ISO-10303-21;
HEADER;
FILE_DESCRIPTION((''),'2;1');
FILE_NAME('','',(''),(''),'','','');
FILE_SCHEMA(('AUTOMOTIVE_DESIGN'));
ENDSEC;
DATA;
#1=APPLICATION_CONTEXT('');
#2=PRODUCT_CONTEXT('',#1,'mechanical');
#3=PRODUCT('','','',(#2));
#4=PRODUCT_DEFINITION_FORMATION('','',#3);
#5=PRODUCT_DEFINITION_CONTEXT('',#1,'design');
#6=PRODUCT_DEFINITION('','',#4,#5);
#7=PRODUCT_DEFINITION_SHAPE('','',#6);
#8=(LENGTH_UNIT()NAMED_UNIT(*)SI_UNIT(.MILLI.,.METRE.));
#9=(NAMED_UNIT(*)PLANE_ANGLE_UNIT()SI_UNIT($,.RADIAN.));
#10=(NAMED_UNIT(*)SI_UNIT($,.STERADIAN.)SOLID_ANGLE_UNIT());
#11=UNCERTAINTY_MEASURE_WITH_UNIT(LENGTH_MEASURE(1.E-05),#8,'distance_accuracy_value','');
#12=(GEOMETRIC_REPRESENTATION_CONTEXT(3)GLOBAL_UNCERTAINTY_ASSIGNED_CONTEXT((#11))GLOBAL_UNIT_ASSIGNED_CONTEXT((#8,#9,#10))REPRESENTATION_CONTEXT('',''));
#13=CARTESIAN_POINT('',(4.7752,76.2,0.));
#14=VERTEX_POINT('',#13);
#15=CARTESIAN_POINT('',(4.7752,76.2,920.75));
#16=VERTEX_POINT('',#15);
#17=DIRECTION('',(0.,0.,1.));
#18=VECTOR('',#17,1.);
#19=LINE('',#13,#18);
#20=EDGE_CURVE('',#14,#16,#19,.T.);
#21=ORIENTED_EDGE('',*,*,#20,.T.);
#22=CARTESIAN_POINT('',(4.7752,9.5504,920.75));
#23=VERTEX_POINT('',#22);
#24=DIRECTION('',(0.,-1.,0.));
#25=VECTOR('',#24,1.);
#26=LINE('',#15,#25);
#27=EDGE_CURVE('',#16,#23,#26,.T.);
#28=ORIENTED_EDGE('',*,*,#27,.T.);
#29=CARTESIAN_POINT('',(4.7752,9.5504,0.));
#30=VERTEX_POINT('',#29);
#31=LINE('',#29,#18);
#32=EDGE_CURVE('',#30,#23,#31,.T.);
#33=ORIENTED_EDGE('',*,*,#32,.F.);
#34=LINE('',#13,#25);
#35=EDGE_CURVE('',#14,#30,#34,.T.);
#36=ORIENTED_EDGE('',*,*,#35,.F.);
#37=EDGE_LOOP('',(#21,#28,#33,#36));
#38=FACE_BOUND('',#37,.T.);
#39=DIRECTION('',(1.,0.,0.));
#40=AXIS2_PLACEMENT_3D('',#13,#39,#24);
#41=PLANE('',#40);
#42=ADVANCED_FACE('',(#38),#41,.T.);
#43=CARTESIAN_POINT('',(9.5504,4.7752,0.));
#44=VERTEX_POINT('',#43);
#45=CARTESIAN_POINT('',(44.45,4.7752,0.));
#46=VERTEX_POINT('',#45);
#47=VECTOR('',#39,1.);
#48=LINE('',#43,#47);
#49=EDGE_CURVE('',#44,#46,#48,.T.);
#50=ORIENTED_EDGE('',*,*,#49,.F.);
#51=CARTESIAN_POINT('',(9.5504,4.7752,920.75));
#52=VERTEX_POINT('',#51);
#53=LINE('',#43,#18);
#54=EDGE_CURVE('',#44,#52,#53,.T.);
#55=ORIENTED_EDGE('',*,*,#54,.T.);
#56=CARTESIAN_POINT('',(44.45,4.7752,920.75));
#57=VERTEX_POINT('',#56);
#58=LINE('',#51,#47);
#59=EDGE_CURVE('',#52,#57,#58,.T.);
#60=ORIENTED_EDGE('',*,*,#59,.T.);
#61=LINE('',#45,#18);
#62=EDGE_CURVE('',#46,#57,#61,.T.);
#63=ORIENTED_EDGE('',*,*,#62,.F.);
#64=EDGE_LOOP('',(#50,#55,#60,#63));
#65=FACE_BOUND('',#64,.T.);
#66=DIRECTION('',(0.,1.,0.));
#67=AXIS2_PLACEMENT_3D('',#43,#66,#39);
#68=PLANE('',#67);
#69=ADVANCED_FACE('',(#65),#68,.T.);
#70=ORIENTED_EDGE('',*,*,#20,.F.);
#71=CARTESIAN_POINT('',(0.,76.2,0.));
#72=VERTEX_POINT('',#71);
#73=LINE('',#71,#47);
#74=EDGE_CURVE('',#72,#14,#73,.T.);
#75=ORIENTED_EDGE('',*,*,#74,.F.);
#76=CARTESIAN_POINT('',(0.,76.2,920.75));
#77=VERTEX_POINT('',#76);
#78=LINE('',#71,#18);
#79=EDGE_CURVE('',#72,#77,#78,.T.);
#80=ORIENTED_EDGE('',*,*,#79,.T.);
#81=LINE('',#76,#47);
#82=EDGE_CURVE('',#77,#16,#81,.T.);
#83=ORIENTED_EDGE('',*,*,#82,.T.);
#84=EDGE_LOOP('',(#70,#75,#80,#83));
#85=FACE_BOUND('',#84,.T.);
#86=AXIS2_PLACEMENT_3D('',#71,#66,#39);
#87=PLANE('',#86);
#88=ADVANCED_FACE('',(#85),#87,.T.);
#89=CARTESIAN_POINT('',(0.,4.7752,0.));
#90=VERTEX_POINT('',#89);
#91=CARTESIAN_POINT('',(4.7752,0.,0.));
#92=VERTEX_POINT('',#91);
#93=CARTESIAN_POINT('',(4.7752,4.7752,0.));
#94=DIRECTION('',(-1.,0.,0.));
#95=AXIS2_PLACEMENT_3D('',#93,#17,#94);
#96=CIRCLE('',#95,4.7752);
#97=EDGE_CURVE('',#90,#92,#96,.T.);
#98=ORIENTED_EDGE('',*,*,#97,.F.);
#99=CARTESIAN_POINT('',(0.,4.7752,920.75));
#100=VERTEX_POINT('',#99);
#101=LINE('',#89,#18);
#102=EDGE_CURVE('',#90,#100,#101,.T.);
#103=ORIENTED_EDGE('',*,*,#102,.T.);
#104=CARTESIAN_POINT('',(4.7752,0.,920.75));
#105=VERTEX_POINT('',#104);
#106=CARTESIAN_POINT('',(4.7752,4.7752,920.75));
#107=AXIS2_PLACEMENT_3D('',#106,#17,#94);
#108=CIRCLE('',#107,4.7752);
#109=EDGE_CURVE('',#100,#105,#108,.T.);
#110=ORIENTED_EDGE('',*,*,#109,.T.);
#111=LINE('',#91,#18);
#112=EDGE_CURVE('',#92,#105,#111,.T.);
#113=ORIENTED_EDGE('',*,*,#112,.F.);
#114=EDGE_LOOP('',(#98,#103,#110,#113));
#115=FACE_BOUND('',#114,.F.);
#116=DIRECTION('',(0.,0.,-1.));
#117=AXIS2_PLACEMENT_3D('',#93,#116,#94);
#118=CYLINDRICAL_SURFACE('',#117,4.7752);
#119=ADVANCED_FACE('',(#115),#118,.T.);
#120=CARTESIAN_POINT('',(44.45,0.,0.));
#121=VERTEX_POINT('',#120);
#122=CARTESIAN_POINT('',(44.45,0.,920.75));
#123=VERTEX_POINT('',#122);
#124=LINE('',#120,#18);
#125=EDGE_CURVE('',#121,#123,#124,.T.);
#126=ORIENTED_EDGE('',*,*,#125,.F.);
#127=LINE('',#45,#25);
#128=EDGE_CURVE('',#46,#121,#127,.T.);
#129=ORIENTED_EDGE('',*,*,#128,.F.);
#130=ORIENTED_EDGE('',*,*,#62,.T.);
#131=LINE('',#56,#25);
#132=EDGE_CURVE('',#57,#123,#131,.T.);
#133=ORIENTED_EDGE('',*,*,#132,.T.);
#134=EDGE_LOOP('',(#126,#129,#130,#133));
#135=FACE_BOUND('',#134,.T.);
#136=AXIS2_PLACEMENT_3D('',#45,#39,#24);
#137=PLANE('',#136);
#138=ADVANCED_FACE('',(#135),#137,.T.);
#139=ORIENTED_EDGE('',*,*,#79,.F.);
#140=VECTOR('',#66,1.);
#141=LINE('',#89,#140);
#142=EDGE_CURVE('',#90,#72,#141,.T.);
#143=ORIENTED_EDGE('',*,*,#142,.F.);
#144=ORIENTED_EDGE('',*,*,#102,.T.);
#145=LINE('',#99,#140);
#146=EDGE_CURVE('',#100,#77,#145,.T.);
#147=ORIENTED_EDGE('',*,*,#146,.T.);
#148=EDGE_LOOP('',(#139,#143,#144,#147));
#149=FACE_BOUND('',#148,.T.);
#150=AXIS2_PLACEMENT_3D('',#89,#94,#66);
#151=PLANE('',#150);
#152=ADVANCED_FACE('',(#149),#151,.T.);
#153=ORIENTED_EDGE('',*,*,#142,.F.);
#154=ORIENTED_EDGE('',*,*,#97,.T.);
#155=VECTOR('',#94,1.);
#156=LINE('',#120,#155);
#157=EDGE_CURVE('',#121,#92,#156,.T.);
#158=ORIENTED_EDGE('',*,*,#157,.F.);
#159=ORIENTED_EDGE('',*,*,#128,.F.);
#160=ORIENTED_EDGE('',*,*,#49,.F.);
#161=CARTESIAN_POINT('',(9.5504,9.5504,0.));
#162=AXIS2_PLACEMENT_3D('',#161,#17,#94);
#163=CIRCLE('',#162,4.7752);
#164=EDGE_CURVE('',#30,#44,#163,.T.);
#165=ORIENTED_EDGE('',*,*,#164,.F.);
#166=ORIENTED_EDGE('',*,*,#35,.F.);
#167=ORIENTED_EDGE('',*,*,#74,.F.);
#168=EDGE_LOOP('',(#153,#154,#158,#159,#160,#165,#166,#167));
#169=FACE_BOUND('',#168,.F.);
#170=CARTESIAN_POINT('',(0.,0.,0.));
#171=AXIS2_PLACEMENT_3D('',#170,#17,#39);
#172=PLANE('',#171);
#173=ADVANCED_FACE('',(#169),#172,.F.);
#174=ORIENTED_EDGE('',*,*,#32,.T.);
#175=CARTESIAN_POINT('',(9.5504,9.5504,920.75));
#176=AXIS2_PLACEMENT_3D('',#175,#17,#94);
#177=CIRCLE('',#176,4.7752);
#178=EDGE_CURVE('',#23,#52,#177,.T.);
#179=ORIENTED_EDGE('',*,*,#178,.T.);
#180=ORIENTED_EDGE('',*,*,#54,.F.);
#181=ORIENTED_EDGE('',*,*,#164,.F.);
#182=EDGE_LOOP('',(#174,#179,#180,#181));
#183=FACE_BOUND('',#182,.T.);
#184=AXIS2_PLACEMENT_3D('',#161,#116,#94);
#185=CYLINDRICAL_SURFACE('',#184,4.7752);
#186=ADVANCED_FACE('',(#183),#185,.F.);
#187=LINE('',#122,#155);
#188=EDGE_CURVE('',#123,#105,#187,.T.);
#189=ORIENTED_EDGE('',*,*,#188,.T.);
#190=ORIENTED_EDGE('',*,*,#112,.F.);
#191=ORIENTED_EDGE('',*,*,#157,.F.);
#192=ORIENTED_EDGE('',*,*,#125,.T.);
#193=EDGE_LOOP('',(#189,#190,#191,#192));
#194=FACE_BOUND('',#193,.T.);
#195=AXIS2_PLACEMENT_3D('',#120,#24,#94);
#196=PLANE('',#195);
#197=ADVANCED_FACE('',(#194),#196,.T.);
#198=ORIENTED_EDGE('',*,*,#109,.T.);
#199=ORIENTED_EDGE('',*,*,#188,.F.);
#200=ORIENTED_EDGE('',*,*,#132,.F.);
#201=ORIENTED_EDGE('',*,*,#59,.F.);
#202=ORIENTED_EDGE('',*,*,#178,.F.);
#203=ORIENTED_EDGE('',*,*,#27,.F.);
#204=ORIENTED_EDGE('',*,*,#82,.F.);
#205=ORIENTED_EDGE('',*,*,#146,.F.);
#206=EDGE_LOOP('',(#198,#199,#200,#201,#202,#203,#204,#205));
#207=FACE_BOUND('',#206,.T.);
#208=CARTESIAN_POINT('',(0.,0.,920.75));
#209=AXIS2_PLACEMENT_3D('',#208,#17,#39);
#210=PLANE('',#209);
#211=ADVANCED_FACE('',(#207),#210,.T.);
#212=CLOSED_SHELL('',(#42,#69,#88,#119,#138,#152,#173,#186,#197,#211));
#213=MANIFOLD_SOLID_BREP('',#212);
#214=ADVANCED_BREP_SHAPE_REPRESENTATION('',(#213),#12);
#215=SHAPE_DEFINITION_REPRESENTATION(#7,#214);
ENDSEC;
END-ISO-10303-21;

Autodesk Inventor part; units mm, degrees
ref_plane "YZ Plane" through (0, 0, 0) normal (1, 0, 0) x (0, 1, 0)
ref_plane "XZ Plane" through (0, 0, 0) normal (0, 1, 0) x (-1, 0, 0)
ref_plane "XY Plane" through (0, 0, 0) normal (0, 0, 1) x (1, 0, 0)
sketch "Sketch1" plane through (0, 0, 0) normal (0, 0, 1) x (1, 0, 0)
  line L0 (0, 4.7752) -> (0, 76.2)
  line L1 (0, 76.2) -> (4.7752, 76.2)
  line L2 (4.7752, 76.2) -> (4.7752, 9.5504)
  line L3 (9.5504, 4.7752) -> (44.45, 4.7752)
  line L4 (44.45, 4.7752) -> (44.45, 0)
  line L5 (44.45, 0) -> (4.7752, 0)
  arc A0 (4.7752, 9.5504) -> (9.5504, 4.7752) centre (9.5504, 9.5504) ccw
  arc A1 (0, 4.7752) -> (4.7752, 0) centre (4.7752, 4.7752) ccw
  point P0 (0, 0)
  dimension "d0" = 4.7752
  dimension "d1" = 44.45
  dimension "d2" = 76.2
  dimension "d3" = 4.7752
extrude "Extrusion1" add sketch "Sketch1" along normal blind 920.75
properties part number "L_Channel"
